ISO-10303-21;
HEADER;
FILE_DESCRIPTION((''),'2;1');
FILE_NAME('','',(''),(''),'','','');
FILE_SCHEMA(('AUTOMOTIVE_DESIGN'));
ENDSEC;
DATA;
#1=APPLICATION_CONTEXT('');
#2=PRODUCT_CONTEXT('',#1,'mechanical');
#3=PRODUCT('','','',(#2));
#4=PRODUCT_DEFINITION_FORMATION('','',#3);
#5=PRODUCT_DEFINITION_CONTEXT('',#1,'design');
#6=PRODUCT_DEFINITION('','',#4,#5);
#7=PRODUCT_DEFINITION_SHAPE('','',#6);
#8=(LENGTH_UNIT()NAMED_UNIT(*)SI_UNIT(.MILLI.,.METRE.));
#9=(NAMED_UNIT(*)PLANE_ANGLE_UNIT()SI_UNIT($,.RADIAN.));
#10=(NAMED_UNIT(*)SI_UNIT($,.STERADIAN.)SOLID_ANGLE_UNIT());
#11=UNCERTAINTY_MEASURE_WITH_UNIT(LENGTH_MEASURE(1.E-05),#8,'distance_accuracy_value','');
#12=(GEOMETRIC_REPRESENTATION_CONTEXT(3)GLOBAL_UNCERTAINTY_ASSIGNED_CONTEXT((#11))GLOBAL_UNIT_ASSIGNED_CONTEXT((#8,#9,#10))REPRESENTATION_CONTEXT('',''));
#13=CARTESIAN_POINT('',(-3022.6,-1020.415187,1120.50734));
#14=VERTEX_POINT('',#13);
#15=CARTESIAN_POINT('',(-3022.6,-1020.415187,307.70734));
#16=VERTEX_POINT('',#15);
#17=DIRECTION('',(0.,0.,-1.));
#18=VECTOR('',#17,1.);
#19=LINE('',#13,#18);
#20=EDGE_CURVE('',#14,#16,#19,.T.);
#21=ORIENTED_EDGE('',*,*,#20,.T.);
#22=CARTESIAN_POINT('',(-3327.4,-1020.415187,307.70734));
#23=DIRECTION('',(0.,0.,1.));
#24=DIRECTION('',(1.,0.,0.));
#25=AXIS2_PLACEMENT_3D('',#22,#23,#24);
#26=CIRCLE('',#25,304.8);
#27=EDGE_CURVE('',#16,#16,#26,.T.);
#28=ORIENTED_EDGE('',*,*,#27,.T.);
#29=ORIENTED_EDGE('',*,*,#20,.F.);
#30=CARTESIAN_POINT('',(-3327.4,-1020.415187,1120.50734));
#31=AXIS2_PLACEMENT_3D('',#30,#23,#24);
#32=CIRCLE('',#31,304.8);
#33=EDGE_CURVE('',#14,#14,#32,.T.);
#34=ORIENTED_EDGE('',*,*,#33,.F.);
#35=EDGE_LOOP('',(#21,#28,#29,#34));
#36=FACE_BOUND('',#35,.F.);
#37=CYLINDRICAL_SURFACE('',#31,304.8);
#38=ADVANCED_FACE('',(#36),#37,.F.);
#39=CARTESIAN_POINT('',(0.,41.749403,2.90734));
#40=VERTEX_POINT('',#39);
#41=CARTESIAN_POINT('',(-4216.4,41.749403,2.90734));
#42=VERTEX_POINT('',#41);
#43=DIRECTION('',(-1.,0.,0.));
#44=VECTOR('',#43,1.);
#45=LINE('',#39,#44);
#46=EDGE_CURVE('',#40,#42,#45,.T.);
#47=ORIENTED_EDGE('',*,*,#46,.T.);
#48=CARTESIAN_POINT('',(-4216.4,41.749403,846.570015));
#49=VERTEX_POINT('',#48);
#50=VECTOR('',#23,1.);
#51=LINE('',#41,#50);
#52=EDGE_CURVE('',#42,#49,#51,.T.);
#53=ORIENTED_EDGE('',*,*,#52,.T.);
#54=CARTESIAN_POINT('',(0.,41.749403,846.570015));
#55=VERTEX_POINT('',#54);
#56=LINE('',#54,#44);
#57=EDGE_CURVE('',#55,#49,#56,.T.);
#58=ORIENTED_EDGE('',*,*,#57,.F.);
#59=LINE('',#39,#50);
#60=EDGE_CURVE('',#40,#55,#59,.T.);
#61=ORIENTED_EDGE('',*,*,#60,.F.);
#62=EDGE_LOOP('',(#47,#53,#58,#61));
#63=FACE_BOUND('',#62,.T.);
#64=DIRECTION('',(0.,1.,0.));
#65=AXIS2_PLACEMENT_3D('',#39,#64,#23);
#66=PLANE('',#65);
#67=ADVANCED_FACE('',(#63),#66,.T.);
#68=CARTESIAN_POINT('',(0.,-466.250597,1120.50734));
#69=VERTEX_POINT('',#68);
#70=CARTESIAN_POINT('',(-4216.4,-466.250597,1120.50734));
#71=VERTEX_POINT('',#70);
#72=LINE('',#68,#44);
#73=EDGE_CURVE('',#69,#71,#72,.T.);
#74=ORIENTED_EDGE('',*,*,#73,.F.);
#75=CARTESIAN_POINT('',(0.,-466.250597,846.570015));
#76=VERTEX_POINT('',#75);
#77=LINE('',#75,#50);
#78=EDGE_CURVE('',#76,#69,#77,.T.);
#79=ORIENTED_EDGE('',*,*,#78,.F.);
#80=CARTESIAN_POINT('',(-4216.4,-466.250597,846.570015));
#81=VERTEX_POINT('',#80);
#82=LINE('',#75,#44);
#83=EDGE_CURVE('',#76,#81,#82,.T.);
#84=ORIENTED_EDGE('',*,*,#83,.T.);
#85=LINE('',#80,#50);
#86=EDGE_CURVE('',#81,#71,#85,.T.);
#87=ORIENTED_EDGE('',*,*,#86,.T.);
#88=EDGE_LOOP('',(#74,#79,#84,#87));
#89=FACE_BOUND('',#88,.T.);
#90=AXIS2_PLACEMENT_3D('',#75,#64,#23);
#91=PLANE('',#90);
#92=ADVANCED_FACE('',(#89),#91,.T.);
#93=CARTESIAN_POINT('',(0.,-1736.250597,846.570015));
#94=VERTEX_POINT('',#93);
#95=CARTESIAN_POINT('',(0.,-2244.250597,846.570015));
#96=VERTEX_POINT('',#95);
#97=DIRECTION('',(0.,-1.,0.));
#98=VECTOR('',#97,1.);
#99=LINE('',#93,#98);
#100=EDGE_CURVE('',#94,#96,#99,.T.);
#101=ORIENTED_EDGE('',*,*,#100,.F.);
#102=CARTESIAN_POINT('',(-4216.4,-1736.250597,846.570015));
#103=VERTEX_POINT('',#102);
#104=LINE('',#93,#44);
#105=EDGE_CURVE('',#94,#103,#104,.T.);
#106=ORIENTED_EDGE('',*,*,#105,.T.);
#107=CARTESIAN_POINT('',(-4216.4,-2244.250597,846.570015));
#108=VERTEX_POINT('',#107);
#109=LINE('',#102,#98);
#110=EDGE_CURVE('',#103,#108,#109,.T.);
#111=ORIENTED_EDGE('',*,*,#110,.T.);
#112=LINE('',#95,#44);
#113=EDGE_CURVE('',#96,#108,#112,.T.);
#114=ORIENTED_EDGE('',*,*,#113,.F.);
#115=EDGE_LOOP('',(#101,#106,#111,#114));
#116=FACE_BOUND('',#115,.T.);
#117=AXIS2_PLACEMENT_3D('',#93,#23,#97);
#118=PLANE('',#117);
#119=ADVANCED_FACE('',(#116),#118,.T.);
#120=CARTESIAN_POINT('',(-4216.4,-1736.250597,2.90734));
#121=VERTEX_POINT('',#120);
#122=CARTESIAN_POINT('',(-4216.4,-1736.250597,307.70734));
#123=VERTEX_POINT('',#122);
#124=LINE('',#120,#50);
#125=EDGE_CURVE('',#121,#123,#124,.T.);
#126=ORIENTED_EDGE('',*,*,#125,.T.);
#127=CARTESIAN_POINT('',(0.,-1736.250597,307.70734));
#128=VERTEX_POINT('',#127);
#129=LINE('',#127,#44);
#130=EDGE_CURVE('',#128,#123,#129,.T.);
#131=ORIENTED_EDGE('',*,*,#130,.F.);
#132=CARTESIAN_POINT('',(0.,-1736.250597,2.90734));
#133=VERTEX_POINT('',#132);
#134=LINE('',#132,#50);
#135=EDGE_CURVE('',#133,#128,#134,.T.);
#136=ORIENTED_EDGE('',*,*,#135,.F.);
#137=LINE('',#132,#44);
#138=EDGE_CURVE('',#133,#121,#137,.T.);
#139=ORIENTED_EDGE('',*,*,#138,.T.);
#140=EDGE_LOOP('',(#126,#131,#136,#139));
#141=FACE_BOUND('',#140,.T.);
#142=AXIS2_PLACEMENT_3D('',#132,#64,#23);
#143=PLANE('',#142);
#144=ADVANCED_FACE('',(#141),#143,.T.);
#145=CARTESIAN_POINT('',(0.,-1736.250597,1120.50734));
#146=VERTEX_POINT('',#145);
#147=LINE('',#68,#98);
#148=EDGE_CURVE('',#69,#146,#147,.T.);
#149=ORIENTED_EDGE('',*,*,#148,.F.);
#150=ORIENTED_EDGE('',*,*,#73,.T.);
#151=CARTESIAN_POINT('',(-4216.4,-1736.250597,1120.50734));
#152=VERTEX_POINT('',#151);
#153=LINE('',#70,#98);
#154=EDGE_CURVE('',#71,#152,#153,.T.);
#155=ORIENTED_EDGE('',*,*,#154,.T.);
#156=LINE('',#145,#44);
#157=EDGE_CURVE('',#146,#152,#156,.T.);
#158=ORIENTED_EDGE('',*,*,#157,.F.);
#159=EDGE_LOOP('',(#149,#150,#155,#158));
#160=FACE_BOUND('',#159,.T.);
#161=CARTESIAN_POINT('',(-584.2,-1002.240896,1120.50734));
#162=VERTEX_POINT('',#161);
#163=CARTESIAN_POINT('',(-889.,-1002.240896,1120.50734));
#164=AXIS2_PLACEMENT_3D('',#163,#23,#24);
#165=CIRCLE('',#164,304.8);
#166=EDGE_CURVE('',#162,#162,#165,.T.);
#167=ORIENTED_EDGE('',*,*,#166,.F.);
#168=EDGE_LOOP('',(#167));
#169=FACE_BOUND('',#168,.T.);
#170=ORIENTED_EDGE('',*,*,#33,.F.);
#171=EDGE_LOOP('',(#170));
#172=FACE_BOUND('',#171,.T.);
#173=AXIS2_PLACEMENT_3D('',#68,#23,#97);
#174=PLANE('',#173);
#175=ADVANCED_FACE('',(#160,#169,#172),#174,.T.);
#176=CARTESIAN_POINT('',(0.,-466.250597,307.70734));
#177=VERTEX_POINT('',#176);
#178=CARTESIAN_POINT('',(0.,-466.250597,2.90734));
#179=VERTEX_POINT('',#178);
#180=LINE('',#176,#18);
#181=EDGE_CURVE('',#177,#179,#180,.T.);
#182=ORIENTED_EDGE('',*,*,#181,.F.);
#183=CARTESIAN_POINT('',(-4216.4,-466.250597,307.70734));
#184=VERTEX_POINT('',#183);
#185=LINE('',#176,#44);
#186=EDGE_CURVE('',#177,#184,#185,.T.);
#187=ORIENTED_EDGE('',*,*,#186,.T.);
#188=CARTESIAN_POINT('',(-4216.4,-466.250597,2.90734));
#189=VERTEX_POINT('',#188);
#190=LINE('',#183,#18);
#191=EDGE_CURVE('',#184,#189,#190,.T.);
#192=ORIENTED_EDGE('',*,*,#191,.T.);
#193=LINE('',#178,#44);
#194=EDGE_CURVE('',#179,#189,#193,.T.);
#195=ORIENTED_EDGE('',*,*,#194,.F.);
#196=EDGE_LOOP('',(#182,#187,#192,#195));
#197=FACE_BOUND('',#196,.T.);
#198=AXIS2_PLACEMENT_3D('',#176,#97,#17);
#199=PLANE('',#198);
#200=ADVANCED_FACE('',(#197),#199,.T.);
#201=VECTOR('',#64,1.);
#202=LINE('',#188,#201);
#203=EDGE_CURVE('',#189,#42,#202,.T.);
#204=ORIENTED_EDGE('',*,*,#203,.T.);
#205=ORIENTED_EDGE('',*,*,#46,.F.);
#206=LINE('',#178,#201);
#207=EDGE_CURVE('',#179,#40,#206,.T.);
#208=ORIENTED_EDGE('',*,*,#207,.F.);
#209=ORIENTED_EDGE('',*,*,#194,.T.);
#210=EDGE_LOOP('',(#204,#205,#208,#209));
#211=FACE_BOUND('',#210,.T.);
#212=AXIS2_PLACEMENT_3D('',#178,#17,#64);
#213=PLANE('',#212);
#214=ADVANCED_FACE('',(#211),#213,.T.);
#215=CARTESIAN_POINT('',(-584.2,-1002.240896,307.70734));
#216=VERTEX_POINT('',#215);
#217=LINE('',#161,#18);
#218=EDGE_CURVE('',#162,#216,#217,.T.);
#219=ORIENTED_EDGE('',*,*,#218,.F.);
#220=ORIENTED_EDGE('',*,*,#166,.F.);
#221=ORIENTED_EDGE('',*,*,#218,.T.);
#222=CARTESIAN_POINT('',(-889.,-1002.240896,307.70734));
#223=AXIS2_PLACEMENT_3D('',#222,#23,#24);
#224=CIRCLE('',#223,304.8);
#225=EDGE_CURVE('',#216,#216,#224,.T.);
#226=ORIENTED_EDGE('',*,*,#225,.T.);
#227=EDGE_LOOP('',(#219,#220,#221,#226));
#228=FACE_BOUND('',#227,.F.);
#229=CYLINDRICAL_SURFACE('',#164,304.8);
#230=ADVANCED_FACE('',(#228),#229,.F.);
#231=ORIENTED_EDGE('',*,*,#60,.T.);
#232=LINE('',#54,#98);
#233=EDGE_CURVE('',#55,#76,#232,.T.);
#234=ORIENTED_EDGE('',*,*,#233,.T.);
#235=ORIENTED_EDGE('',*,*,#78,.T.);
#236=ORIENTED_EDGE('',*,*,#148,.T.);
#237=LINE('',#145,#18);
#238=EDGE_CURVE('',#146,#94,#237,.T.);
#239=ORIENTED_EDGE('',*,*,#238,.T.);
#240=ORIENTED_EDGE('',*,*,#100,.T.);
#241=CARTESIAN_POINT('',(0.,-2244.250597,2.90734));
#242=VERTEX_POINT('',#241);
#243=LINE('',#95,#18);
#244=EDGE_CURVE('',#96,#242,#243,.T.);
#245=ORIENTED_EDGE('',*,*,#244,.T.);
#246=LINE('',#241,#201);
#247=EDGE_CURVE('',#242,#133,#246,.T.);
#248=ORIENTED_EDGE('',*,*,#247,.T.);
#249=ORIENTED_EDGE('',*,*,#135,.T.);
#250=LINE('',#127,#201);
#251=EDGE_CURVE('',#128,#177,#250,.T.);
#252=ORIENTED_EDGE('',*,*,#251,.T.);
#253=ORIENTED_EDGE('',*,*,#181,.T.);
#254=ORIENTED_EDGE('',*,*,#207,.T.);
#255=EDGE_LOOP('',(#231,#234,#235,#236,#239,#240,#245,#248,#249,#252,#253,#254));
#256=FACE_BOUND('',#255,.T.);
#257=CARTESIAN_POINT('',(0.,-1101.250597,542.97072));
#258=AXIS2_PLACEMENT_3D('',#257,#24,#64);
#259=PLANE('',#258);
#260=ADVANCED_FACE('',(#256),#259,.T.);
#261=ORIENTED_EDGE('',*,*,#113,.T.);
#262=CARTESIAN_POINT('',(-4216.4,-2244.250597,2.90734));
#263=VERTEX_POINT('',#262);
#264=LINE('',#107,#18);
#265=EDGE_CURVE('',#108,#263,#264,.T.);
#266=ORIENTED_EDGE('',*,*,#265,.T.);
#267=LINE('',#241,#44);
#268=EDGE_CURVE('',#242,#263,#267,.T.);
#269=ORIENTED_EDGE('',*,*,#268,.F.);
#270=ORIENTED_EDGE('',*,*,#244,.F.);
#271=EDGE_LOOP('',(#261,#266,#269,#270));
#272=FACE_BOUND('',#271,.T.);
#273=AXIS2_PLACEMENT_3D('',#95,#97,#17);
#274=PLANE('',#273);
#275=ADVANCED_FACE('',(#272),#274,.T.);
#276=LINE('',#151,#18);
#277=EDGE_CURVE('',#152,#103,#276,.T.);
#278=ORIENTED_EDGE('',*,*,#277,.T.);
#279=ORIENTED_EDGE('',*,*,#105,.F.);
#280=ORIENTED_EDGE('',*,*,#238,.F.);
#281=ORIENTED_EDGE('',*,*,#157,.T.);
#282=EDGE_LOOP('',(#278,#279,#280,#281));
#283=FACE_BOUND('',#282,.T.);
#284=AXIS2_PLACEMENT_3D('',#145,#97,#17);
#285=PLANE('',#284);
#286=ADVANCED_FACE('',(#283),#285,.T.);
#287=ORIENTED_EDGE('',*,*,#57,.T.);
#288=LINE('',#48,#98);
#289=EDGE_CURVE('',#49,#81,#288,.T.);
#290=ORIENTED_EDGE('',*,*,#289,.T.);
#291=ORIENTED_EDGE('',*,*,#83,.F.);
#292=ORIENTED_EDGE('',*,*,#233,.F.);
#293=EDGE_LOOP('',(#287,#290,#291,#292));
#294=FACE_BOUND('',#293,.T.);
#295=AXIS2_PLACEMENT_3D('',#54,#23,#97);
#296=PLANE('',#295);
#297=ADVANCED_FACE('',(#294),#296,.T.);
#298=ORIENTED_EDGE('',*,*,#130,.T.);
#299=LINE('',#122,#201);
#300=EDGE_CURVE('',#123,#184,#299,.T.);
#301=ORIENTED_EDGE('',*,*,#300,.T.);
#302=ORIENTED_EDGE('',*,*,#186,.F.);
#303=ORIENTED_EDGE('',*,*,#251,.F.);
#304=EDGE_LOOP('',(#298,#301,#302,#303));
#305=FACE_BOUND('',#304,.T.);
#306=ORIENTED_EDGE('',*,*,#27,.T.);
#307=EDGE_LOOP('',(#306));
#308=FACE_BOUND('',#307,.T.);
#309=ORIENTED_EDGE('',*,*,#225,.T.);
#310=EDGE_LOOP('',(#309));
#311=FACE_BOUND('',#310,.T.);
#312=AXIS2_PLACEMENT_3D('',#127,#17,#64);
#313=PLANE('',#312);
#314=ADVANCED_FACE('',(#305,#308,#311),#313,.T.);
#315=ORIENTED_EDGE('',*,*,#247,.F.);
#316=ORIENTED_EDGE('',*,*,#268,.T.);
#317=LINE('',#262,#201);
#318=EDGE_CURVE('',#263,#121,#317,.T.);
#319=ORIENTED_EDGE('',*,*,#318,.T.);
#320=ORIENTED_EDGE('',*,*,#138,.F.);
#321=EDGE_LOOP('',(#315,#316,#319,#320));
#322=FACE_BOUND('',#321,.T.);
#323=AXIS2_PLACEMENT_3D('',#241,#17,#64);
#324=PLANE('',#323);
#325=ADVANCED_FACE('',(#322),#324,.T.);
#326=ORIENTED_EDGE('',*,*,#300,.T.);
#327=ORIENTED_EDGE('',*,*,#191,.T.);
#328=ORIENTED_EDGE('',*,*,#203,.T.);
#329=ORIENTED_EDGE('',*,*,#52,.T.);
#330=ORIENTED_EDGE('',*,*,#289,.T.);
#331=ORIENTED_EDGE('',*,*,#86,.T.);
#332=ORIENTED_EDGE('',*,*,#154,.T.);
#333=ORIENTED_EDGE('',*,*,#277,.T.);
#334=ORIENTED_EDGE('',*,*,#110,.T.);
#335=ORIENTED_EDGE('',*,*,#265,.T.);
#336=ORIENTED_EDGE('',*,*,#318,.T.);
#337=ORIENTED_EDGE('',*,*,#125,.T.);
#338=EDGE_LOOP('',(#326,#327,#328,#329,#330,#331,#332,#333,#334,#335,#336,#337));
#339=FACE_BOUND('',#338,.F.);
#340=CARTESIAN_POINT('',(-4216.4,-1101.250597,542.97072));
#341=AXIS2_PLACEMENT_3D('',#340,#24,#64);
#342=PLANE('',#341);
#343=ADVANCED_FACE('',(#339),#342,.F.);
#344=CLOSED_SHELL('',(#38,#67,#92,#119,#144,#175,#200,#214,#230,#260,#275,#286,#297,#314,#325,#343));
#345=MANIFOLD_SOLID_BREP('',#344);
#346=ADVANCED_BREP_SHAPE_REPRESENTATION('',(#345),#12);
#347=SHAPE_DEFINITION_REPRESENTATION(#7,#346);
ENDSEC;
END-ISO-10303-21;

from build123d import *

# Parameters (mm, degrees)
F1_DEPTH = 4216.4
F2_R     = 304.8
F3_DEPTH = 1270


with BuildPart() as f1:
    # F0 (on Right) → F1 (new body)
    with BuildSketch(Plane.YZ):
        Polygon((-466.250597, 1120.50734), (-1736.250597, 1120.50734), (-1736.250597, 846.570015), (-2244.250597, 846.570015), (-2244.250597, 2.90734), (-1736.250597, 2.90734), (-1736.250597, 307.70734), (-466.250597, 307.70734), (-466.250597, 2.90734), (41.749403, 2.90734), (41.749403, 846.570015), (-466.250597, 846.570015), align=None)
    extrude(amount=-F1_DEPTH)

    # F2 (on face) → F3 (cut)
    with BuildSketch(Plane.XY.offset(1120.50734)):
        with Locations((-3327.4, -1020.415187)):
            Circle(F2_R)
        with Locations((-889, -1002.240896)):
            Circle(F2_R)
    extrude(amount=-F3_DEPTH, mode=Mode.SUBTRACT)


solid = f1.part
